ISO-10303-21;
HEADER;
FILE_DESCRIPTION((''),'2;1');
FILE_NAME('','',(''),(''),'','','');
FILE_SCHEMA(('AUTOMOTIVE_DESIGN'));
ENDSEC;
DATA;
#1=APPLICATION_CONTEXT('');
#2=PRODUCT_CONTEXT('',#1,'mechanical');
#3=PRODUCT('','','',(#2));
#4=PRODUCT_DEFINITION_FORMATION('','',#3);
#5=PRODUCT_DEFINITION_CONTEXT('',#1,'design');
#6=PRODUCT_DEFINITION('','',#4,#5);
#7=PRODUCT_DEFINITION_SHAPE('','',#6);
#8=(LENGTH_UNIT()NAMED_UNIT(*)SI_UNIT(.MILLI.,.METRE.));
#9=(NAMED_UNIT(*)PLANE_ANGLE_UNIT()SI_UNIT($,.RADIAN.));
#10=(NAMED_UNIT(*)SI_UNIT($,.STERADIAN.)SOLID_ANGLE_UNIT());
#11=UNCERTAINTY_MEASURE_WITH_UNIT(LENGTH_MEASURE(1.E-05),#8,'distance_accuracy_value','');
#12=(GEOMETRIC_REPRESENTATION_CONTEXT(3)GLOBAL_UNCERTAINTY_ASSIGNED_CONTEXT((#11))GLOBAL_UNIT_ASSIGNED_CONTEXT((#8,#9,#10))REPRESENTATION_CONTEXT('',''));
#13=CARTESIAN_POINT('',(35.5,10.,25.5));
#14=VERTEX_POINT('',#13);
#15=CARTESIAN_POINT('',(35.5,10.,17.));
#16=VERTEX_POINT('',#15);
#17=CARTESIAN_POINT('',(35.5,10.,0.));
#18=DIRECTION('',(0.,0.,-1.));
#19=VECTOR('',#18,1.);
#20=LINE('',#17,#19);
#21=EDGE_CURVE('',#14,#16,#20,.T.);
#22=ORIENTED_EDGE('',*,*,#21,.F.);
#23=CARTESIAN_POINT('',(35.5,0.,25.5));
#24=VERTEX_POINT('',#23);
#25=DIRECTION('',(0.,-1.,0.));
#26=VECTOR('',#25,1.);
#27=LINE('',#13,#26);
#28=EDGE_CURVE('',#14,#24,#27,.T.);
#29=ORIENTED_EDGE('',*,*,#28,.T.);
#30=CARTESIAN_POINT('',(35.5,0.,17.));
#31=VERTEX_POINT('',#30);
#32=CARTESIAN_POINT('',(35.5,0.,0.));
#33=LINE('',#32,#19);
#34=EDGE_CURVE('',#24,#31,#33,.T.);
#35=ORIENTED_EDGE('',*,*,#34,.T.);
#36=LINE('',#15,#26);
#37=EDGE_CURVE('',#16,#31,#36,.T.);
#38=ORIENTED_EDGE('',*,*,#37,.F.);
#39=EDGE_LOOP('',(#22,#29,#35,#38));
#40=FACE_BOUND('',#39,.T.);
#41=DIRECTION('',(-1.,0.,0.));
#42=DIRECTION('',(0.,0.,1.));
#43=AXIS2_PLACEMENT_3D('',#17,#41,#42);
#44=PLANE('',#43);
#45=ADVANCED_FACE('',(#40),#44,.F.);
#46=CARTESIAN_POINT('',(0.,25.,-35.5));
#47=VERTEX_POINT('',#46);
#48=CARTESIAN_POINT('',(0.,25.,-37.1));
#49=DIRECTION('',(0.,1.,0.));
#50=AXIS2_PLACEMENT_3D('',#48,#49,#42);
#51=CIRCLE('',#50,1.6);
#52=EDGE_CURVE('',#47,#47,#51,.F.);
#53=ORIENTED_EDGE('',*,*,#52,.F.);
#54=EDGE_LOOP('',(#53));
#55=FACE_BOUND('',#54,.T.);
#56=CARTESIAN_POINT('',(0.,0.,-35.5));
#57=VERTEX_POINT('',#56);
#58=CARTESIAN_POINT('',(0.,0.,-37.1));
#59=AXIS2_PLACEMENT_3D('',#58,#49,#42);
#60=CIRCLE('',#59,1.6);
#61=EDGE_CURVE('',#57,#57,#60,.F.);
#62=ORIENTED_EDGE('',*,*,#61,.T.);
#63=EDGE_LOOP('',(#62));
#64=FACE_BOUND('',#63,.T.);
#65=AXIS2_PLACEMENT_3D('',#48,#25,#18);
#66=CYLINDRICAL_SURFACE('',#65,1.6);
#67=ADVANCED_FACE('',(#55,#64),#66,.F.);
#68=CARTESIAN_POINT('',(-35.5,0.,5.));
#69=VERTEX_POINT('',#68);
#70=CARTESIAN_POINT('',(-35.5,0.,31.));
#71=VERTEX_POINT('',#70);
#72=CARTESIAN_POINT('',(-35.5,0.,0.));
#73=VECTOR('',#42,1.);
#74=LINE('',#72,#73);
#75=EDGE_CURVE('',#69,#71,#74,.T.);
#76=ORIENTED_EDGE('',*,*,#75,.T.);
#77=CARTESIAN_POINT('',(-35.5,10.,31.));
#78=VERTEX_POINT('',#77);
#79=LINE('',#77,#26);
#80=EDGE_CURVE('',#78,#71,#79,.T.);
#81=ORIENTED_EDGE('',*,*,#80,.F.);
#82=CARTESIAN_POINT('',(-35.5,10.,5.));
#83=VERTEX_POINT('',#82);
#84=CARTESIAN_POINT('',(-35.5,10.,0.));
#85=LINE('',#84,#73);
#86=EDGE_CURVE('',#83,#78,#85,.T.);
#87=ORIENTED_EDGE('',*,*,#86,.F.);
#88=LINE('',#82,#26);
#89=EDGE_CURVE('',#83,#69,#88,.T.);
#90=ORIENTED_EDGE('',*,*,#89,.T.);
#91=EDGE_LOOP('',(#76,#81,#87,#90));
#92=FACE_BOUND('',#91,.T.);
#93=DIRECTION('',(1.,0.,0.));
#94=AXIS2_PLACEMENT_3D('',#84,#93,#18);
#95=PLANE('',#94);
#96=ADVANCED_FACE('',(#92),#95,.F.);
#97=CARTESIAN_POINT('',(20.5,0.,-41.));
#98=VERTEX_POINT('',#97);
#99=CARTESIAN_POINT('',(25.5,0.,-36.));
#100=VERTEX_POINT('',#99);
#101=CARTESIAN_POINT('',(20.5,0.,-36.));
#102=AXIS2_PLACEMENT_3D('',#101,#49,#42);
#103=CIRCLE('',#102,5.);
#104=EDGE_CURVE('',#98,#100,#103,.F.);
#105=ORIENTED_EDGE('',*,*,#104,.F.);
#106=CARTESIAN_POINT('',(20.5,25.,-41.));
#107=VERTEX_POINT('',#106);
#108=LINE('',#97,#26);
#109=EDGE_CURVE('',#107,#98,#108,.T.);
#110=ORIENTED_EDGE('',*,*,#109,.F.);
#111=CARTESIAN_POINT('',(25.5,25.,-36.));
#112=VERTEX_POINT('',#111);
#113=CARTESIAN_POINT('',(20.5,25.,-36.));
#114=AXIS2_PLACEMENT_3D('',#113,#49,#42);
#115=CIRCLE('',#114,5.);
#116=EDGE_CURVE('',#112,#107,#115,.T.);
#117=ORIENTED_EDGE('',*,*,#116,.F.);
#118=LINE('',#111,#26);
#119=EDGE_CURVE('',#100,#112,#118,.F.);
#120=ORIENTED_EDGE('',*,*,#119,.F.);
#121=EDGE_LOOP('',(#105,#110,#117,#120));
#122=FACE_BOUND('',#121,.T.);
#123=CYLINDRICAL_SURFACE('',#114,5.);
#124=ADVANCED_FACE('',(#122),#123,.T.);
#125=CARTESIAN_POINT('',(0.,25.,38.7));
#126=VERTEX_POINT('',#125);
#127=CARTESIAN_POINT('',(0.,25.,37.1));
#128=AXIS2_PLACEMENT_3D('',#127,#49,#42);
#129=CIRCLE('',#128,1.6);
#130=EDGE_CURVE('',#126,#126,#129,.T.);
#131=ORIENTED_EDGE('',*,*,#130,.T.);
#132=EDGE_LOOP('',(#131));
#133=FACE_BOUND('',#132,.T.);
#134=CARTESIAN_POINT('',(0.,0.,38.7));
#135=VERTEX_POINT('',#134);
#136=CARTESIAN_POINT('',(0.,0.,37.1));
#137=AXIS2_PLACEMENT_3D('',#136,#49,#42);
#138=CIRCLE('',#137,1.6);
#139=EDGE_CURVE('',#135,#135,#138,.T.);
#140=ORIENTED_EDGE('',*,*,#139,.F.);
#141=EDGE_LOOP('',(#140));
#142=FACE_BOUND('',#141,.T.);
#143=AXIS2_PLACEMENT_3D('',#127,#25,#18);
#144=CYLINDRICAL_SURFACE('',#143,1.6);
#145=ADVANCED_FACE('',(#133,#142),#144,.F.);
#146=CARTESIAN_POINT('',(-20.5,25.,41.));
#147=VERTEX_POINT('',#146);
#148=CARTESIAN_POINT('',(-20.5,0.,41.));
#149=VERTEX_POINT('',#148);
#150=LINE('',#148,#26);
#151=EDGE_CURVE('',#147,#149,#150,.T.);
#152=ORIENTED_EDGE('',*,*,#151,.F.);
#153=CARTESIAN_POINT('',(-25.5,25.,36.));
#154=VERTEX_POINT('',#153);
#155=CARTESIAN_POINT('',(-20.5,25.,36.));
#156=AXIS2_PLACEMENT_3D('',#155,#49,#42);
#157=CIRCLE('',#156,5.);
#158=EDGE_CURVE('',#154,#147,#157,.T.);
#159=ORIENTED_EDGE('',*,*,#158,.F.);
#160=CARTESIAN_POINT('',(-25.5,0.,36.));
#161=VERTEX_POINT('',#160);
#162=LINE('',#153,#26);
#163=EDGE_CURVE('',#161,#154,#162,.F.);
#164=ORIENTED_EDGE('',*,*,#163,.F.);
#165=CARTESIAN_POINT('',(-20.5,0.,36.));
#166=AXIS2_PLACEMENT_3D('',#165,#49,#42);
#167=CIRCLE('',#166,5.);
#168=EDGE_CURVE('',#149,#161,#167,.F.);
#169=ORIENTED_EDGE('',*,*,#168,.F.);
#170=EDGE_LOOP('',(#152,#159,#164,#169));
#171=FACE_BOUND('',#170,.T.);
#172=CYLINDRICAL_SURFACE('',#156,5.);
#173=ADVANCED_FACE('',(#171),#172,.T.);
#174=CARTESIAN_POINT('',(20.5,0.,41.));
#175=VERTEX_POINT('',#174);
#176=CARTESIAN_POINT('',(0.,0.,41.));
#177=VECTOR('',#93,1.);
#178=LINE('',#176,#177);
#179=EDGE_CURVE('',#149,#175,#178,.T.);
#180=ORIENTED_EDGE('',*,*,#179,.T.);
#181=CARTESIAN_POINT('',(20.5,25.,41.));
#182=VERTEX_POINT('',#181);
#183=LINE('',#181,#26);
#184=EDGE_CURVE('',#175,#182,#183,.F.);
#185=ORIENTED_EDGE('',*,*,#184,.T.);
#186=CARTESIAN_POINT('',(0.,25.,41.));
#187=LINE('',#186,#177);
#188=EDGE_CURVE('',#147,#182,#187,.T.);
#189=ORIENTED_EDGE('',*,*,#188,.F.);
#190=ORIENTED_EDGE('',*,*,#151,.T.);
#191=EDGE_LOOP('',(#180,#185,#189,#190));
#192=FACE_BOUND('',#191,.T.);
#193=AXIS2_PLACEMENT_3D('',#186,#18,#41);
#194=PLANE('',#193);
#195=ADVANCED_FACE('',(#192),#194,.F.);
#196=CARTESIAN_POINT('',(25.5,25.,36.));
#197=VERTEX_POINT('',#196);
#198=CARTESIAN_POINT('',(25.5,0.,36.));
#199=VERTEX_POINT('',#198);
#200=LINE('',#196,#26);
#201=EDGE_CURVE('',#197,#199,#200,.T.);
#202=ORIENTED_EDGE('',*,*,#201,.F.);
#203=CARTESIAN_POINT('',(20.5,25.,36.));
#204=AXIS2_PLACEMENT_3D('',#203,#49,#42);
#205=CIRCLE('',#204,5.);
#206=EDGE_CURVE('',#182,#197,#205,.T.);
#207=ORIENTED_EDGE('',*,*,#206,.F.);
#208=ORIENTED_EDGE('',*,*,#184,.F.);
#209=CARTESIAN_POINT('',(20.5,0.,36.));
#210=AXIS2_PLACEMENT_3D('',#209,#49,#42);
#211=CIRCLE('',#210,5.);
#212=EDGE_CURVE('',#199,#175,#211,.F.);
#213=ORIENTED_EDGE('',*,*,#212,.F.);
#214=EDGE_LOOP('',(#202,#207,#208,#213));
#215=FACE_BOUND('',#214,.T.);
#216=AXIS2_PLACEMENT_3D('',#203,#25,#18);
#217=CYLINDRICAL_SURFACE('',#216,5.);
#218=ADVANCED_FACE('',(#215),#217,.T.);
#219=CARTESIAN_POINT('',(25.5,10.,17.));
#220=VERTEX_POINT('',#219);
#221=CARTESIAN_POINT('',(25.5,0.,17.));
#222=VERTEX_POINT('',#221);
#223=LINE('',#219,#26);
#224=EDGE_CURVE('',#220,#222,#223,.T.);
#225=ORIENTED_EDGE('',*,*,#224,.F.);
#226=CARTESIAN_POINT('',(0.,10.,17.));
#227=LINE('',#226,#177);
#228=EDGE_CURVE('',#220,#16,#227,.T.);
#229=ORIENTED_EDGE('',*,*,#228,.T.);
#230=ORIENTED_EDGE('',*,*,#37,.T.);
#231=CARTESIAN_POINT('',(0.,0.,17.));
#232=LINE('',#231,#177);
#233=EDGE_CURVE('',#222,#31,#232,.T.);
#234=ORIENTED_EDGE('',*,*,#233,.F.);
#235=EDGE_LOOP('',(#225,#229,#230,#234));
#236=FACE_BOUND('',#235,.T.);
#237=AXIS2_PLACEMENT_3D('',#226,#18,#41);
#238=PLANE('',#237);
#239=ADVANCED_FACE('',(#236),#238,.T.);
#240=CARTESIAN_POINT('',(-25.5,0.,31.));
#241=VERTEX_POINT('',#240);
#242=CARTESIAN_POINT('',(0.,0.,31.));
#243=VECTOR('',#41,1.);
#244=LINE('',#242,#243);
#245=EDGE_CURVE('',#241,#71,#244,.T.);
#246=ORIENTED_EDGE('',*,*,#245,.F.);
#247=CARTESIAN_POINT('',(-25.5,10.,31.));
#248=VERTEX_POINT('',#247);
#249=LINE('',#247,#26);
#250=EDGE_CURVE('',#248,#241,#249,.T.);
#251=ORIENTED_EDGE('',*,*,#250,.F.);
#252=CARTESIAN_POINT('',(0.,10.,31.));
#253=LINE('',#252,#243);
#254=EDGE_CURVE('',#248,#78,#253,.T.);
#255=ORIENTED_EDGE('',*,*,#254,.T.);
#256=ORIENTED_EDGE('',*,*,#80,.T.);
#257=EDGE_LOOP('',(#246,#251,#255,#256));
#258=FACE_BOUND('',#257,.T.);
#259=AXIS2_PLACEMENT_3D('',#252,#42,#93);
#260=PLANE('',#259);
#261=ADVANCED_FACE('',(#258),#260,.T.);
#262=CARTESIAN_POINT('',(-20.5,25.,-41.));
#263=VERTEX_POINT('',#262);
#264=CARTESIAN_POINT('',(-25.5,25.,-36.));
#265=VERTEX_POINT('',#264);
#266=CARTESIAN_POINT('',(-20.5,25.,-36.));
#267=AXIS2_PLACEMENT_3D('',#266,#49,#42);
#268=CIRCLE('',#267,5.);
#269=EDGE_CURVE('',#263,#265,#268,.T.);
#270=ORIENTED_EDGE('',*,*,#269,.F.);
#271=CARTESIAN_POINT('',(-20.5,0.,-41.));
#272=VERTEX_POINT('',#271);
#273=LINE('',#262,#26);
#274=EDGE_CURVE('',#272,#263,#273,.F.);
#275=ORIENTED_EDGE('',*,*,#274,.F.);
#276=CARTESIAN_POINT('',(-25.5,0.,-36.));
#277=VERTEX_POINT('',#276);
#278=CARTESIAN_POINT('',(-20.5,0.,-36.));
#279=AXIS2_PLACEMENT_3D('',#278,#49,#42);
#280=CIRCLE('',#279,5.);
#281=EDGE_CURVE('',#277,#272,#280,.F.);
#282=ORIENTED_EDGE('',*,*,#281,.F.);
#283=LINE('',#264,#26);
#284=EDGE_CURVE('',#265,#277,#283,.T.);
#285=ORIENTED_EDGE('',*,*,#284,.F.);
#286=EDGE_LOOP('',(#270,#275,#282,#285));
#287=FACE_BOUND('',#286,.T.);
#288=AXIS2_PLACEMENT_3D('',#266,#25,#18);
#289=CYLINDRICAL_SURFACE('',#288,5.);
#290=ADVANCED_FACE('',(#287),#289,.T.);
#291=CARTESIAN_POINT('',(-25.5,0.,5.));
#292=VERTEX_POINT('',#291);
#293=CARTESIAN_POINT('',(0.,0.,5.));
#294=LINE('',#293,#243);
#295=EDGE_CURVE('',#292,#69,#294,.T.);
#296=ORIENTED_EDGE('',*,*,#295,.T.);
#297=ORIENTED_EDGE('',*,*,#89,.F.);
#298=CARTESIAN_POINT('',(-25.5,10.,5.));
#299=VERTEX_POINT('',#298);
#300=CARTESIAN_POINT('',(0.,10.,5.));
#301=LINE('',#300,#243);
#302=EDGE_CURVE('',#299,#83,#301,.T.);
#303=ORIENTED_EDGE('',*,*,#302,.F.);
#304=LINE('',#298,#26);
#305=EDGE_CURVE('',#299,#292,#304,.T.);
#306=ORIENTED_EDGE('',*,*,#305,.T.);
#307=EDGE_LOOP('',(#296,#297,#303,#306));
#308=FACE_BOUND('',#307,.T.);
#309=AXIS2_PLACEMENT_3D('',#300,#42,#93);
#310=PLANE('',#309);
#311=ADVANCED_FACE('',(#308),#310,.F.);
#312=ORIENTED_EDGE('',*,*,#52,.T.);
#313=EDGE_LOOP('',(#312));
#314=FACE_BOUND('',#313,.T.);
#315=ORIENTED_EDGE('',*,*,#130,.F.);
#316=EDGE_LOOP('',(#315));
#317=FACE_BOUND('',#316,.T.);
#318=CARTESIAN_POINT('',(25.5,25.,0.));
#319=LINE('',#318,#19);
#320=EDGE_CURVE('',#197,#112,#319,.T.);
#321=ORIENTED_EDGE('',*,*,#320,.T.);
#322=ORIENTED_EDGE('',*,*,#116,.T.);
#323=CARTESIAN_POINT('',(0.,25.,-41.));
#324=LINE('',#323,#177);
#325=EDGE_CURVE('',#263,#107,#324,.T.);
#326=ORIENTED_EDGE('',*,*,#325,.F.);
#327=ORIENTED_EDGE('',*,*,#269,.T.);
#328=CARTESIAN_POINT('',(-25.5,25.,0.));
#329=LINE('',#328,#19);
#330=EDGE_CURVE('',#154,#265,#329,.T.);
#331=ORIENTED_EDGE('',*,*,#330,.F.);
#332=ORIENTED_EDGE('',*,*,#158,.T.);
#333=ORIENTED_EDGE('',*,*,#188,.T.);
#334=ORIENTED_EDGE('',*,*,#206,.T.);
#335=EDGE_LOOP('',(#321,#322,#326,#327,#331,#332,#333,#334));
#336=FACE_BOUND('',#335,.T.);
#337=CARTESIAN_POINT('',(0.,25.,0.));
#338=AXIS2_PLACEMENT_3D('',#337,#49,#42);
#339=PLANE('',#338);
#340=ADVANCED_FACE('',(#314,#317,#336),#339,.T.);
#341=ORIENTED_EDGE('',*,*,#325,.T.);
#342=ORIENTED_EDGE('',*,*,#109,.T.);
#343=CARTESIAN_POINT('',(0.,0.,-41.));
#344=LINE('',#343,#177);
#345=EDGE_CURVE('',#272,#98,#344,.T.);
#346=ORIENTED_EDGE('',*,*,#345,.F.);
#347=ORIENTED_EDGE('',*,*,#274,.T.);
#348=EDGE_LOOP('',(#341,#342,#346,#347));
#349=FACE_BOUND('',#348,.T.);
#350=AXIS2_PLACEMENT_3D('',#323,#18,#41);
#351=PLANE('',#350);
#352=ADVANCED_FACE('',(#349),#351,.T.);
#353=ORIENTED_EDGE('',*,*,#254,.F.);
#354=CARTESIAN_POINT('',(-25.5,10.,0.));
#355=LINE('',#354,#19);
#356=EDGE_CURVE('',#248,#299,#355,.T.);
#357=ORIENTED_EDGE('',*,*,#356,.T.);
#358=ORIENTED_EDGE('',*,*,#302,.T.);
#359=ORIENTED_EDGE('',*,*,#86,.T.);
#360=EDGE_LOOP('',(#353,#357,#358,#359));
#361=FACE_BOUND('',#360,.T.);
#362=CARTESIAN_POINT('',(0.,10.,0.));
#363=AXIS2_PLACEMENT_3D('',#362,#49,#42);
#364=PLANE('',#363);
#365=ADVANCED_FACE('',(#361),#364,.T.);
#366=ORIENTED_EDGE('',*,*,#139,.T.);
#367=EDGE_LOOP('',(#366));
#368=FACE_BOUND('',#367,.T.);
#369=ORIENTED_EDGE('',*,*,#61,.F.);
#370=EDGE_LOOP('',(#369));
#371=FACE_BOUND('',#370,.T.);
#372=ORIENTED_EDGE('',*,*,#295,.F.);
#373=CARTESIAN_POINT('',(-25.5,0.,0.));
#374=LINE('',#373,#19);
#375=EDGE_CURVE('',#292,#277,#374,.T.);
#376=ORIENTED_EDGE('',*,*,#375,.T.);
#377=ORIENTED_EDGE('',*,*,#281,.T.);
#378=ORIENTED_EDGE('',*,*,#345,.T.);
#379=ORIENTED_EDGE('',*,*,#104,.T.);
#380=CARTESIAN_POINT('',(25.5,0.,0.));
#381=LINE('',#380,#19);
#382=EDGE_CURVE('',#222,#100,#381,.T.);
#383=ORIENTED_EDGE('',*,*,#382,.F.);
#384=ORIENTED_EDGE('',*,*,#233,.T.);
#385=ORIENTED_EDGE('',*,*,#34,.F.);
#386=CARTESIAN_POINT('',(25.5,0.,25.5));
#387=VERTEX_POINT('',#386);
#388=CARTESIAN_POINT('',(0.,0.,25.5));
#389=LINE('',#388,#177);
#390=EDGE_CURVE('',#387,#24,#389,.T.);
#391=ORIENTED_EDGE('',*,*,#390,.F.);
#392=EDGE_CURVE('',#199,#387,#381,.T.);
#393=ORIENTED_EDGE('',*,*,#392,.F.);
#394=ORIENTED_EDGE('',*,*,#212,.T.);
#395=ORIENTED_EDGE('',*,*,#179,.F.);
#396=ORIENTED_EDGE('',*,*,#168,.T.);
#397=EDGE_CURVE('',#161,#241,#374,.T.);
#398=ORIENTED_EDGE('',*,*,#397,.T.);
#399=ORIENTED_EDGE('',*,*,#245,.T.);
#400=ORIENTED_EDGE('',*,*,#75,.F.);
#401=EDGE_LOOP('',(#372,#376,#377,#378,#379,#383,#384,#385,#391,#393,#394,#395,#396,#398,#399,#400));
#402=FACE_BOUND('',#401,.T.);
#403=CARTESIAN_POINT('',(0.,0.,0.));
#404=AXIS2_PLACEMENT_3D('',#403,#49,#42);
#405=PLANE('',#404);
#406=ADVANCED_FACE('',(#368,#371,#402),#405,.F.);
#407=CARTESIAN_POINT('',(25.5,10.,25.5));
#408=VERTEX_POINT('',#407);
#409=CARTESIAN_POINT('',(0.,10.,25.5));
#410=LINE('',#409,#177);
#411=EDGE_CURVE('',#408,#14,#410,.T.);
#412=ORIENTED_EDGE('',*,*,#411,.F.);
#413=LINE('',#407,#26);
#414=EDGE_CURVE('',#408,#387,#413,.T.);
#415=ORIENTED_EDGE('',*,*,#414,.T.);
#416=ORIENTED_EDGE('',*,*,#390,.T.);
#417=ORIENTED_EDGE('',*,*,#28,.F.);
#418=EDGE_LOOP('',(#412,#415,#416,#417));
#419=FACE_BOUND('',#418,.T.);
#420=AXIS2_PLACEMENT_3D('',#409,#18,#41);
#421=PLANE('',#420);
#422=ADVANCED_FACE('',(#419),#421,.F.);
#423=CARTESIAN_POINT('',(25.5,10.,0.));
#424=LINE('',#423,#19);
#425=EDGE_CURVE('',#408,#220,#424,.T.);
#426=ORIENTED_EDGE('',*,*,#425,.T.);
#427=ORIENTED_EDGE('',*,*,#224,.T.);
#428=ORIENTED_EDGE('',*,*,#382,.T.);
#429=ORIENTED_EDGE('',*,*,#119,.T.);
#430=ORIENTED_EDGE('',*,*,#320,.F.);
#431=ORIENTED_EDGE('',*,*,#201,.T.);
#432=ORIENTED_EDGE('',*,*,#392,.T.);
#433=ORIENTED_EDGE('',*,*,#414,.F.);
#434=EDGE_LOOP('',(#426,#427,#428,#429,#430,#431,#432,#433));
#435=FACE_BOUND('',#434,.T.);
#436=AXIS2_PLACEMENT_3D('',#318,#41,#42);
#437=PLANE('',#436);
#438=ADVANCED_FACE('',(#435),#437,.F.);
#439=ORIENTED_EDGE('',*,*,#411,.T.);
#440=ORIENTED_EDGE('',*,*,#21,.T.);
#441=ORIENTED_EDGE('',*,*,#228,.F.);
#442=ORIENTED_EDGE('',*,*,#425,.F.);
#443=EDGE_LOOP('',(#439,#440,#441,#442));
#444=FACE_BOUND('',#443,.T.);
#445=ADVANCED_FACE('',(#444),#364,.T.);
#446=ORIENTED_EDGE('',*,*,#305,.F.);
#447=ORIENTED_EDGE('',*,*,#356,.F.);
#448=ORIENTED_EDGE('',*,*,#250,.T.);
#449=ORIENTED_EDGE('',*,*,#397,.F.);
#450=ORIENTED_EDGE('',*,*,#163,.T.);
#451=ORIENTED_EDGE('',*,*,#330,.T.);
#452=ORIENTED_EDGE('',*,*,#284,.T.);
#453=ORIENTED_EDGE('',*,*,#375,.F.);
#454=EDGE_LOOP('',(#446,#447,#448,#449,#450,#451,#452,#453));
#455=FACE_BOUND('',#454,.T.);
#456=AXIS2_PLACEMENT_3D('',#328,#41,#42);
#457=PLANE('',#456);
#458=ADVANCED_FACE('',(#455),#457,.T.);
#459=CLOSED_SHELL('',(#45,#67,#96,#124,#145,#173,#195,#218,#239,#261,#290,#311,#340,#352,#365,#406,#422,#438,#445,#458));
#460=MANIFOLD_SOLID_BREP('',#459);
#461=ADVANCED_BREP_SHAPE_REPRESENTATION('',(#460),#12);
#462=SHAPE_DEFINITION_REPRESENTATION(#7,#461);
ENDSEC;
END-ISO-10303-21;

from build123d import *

# Parameters (mm, degrees)
SKETCH1_R           = 1.6
BOSS_EXTRUDE1_DEPTH = 25
SKETCH1_3_W         = 10
SKETCH1_3_H         = 26
SKETCH1_3_H_2       = 8.5
BOSS_EXTRUDE2_DEPTH = 10
FILLET1_R           = 5


with BuildPart() as part:
    # Sketch1 → Boss-Extrude1 (new body)
    with BuildSketch(Plane(origin=(0, 0, 0), x_dir=(1, 0, 0), z_dir=(0, 1, 0))):
        Polygon((-25.5, -31), (-25.5, -41), (25.5, -41), (25.5, -25.5), (25.5, -17), (25.5, 41), (-25.5, 41), (-25.5, -5), align=None)
        with Locations((0, -37.1)):
            Circle(SKETCH1_R, mode=Mode.SUBTRACT)
        with Locations((0, 37.1)):
            Circle(SKETCH1_R, mode=Mode.SUBTRACT)
    extrude(amount=BOSS_EXTRUDE1_DEPTH)

    # Sketch1<3> → Boss-Extrude2 (add)
    with BuildSketch(Plane(origin=(0, 0, 0), x_dir=(1, 0, 0), z_dir=(0, 1, 0))):
        with Locations((-30.5, -18)):
            Rectangle(SKETCH1_3_W, SKETCH1_3_H)
        with Locations((30.5, -21.25)):
            Rectangle(SKETCH1_3_W, SKETCH1_3_H_2)
    extrude(amount=BOSS_EXTRUDE2_DEPTH)

    # Fillet1
    fillet1_edges = [part.edges().sort_by_distance(p)[0] for p in [
        (-25.5, 12.5, -41),
        (25.5, 12.5, -41),
        (25.5, 12.5, 41),
        (-25.5, 12.5, 41),
    ]]
    fillet(fillet1_edges, radius=FILLET1_R)


solid = part.part
